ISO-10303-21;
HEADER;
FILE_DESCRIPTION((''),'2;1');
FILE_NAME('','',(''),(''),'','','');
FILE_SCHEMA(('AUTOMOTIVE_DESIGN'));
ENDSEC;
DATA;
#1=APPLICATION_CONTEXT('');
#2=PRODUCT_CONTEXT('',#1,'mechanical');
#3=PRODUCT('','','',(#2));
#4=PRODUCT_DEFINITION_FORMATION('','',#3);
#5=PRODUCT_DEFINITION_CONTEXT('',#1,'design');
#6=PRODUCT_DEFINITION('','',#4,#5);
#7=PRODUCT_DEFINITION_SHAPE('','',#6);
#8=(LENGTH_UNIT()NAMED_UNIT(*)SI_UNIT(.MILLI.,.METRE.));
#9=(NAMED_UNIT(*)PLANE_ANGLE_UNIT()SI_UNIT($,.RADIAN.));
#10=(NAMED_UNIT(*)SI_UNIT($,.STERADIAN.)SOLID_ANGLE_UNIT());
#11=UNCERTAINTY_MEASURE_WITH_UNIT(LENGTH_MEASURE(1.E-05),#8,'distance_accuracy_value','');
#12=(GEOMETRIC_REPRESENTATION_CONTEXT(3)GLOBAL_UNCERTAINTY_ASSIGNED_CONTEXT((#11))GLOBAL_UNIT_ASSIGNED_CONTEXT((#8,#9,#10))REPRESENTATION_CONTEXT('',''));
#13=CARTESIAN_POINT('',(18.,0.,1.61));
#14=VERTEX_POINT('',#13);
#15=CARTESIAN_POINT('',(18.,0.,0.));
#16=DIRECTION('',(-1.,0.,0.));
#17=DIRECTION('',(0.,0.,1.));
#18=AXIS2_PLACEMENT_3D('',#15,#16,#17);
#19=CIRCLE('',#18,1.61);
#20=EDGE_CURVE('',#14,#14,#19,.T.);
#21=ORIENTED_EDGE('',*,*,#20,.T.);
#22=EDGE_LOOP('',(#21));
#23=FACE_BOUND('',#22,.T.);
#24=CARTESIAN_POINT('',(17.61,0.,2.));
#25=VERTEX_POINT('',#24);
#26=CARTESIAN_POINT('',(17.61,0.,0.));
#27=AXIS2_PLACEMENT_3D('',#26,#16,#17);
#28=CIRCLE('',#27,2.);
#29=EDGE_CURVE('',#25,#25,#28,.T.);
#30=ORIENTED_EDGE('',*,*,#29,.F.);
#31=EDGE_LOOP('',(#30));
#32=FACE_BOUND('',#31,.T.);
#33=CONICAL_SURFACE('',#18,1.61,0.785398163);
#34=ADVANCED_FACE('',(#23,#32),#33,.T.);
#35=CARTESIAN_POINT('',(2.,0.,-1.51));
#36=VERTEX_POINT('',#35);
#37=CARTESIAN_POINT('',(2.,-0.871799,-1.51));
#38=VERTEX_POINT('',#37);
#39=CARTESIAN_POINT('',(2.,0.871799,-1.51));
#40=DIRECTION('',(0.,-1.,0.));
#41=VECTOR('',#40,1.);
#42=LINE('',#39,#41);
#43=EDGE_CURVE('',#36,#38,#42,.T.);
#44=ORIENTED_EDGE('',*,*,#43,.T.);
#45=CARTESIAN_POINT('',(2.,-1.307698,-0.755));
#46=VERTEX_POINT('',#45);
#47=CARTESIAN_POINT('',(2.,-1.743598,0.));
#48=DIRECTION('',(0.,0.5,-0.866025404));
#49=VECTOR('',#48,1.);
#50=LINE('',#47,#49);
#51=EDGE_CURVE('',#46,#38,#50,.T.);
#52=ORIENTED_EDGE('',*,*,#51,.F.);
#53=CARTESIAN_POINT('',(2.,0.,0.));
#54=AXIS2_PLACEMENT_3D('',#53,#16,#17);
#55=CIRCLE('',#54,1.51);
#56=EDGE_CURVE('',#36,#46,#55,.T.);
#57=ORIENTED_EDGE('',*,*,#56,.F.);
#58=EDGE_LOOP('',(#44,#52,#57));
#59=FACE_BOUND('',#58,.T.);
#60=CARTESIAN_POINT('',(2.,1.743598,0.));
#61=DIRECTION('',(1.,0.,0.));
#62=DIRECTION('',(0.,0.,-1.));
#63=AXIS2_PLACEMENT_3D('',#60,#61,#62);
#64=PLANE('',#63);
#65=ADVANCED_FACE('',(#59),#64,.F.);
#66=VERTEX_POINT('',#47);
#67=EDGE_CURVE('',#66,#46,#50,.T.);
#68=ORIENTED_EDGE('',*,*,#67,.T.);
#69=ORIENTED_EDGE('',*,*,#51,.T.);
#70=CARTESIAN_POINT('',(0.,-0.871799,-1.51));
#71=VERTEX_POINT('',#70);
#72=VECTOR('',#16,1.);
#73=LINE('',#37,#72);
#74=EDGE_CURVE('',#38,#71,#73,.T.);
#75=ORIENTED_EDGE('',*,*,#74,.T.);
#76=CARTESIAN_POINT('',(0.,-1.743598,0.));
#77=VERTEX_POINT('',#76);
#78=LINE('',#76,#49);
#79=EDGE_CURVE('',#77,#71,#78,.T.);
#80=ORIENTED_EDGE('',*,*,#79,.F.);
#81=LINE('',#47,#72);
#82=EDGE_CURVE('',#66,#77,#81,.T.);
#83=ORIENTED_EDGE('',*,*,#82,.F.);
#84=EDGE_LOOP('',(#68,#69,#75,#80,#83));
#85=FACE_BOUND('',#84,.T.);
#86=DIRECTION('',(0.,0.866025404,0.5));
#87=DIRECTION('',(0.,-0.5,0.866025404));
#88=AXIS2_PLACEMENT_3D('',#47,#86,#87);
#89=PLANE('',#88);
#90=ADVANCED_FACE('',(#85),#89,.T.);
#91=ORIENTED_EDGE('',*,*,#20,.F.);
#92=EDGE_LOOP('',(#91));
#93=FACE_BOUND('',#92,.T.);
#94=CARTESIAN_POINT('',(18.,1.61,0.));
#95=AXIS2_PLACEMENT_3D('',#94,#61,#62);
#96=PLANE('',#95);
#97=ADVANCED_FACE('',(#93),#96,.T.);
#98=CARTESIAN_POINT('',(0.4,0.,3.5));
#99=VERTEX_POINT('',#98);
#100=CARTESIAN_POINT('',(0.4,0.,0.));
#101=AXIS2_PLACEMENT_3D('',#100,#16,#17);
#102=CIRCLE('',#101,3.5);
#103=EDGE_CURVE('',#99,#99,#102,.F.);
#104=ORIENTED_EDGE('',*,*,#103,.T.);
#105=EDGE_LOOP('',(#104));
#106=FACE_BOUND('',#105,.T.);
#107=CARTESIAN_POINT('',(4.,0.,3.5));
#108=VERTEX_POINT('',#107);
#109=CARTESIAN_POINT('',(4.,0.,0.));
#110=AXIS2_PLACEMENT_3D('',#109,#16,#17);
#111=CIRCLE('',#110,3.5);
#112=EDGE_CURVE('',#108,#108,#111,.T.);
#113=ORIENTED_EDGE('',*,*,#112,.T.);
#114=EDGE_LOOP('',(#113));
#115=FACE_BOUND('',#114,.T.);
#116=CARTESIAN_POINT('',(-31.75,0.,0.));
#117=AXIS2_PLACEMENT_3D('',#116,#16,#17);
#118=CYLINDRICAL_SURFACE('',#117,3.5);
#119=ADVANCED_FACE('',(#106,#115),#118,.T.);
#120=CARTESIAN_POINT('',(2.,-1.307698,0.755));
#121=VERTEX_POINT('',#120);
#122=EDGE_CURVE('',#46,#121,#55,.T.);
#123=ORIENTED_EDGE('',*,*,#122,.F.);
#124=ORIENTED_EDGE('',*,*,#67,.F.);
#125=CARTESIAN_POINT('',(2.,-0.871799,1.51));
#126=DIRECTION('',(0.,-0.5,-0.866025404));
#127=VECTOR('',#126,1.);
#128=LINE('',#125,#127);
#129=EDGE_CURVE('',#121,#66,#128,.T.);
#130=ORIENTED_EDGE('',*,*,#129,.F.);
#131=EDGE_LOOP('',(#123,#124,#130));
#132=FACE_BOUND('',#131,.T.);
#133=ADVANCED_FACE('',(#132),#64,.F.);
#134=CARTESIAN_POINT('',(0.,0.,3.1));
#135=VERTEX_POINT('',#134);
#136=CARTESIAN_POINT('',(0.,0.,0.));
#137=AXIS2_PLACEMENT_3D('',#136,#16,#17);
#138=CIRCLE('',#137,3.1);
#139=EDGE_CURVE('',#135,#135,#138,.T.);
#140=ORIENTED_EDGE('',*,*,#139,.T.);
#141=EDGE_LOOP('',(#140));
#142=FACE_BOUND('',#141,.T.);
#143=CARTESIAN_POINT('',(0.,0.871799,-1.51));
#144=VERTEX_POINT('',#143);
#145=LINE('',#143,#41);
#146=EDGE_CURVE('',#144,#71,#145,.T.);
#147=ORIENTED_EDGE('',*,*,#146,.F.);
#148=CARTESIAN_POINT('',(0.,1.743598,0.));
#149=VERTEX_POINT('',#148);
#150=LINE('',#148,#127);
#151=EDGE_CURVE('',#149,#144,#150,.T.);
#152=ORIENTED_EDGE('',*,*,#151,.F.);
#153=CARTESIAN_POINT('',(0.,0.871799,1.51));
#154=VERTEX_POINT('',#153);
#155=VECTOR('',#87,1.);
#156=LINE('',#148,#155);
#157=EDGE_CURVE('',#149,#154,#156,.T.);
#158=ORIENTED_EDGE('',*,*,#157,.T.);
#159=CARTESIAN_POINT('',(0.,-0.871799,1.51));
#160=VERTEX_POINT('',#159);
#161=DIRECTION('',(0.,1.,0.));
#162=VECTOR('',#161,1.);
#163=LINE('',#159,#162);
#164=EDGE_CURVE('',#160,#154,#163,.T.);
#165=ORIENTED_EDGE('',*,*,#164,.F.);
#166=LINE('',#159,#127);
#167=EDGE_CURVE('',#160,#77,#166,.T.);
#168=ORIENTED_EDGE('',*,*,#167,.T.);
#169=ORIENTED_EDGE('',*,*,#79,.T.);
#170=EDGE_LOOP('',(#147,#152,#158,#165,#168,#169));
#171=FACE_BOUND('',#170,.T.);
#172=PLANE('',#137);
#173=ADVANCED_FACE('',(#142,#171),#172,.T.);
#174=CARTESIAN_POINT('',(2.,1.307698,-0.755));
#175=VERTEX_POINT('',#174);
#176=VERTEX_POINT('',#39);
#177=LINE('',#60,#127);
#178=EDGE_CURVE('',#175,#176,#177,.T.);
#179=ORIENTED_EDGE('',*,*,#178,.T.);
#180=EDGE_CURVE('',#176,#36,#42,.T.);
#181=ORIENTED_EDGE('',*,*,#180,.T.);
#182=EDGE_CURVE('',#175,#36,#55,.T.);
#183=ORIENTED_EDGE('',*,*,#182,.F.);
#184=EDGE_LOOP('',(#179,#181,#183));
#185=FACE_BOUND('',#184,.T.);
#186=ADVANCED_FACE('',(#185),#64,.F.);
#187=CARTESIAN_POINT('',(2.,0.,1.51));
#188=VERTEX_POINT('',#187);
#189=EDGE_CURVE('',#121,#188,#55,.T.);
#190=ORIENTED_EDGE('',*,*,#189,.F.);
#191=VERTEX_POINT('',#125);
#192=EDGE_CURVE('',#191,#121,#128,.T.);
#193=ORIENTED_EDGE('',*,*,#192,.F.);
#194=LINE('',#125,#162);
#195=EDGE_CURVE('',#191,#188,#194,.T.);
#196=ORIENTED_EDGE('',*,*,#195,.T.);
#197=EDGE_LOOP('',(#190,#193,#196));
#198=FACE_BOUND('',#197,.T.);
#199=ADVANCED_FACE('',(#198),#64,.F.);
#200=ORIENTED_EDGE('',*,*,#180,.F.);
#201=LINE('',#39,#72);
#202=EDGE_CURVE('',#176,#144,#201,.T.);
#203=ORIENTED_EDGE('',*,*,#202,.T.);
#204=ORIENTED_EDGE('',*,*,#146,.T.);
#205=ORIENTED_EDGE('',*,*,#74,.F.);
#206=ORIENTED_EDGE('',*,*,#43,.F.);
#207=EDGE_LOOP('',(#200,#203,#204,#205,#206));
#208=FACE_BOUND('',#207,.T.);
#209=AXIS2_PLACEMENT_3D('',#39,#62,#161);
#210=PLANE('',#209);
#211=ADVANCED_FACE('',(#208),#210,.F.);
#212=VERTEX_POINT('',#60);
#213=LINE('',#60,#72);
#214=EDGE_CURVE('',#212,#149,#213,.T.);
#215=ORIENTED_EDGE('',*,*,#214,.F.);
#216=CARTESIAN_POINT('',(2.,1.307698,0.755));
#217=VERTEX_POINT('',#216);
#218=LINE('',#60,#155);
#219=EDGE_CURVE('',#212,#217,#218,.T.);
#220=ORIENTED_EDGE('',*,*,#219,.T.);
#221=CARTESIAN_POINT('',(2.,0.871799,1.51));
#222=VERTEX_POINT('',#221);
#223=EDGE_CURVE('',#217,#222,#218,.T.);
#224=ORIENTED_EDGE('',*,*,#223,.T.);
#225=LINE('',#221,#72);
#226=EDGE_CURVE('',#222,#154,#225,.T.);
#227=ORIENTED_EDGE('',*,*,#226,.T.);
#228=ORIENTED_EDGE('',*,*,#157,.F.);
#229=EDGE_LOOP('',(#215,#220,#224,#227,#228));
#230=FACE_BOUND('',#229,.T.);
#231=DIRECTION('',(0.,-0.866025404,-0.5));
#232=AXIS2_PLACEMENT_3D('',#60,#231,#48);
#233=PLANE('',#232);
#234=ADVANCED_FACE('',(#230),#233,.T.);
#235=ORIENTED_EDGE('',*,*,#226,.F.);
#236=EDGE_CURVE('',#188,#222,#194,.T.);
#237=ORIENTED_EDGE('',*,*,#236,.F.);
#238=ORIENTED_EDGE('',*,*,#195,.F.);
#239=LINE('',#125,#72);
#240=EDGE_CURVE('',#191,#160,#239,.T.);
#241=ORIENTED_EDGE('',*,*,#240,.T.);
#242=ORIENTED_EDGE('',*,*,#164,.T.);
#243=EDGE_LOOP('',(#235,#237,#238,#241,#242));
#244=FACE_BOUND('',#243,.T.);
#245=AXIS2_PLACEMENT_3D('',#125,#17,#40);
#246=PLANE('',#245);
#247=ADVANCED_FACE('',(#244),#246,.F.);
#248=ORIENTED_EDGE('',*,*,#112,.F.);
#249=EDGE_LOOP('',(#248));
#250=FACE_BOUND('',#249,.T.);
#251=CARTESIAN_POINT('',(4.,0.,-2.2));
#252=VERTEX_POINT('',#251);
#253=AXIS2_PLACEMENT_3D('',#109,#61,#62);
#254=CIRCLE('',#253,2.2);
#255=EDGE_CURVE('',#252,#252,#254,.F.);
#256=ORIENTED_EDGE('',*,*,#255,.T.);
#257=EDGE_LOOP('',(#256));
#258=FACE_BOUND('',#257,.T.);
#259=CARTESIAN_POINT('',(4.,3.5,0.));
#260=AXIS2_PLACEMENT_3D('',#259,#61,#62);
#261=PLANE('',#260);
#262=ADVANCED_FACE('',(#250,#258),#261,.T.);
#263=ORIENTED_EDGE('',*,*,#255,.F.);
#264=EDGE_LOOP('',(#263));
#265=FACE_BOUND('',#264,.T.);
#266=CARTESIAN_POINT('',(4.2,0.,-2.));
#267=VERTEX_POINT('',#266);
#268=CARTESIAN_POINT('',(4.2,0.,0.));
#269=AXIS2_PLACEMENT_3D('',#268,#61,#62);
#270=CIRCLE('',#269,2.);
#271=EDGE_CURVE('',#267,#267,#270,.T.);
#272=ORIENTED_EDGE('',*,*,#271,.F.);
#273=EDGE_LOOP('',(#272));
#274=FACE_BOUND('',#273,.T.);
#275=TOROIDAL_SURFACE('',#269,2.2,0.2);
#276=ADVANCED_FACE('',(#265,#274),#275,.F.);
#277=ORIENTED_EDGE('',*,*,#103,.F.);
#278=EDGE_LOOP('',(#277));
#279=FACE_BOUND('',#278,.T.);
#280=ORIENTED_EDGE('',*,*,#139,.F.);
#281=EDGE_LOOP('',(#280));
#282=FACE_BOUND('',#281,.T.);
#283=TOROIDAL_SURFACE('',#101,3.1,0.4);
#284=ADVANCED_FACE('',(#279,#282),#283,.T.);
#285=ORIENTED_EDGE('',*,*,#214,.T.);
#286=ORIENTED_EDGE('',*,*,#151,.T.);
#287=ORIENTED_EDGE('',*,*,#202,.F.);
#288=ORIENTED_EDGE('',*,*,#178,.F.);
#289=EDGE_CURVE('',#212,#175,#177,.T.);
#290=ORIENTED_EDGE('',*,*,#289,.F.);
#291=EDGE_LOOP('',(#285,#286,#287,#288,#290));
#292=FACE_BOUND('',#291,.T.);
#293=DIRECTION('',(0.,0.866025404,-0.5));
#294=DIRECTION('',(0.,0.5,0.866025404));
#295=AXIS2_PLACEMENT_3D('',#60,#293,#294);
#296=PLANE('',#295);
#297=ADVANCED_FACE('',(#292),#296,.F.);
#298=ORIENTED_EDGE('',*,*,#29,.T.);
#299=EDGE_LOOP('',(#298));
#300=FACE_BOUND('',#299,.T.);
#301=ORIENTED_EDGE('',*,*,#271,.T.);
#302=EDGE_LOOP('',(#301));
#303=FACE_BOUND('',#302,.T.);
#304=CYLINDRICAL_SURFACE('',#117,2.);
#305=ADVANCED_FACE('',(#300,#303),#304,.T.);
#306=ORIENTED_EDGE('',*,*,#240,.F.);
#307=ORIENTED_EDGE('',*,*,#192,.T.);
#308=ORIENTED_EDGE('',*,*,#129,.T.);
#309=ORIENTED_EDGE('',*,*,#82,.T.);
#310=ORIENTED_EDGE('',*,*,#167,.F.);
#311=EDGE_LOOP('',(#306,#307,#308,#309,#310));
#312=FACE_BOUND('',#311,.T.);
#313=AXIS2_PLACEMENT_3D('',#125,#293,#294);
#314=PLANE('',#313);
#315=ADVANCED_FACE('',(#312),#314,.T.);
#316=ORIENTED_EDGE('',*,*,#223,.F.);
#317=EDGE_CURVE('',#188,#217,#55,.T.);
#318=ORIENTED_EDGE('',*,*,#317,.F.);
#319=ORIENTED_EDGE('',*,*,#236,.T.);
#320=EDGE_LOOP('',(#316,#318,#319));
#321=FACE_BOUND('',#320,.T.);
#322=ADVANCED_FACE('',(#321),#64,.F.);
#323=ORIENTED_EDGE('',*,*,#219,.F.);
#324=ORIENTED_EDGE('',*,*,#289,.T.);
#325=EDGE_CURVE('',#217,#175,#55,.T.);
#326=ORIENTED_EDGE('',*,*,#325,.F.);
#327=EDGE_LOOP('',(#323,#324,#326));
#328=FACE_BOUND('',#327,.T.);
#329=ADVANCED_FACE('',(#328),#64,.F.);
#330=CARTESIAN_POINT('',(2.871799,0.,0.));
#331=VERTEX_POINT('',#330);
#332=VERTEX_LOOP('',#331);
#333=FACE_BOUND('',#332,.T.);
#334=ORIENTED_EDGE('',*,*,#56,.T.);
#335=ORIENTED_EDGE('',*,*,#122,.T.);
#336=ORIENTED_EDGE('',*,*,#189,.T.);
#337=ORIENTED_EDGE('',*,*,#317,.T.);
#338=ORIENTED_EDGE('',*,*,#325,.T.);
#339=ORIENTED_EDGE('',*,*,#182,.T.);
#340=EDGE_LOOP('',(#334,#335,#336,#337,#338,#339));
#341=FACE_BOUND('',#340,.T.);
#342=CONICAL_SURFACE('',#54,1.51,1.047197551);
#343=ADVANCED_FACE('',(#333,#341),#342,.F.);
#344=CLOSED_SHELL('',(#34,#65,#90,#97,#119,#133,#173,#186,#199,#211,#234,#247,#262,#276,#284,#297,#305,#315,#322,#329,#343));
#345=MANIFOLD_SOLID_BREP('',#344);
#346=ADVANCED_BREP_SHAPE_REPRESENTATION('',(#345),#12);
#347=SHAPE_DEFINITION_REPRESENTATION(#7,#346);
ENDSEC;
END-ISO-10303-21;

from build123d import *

# Parameters (mm, degrees)
FILLET1_R   = 0.2
FILLET2_R   = 0.4
HEX_2_DEPTH = 2


with BuildPart() as part:
    # BodySke → Base-Revolve (revolve)
    with BuildSketch(Plane.XY):
        Polygon((0, 0), (0, 3.5), (4, 3.5), (4, 2), (17.61, 2), (18, 1.61), (18, 0), align=None)
    revolve(axis=Axis((-31.75, 0, 0), (1, 0, 0)))

    # Fillet1
    fillet1_edges = [part.edges().sort_by_distance(p)[0] for p in [
        (4, -2, 0),
    ]]
    fillet(fillet1_edges, radius=FILLET1_R)

    # Fillet2
    fillet2_edges = [part.edges().sort_by_distance(p)[0] for p in [
        (0, -3.5, 0),
    ]]
    fillet(fillet2_edges, radius=FILLET2_R)

    # Sketch2 → Hex-PreBroach (revolve, cut)
    with BuildSketch(Plane.XY):
        Polygon((0, 1.51), (2, 1.51), (2.871798906, 0), (0, 0), align=None)
    revolve(axis=Axis((0, 0, 0), (1, 0, 0)), mode=Mode.SUBTRACT)

    # Sketch3 → Hex 2 (cut)
    with BuildSketch(Plane(origin=(0, 0, 0), x_dir=(0, 0.5, 0.866025404), z_dir=(-1, 0, 0))):
        Polygon((0.871798906, 1.51), (-0.871798906, 1.51), (-1.743597813, 0), (-0.871798906, -1.51), (0.871798906, -1.51), (1.743597813, 0), align=None)
    extrude(amount=-HEX_2_DEPTH, mode=Mode.SUBTRACT)


solid = part.part
